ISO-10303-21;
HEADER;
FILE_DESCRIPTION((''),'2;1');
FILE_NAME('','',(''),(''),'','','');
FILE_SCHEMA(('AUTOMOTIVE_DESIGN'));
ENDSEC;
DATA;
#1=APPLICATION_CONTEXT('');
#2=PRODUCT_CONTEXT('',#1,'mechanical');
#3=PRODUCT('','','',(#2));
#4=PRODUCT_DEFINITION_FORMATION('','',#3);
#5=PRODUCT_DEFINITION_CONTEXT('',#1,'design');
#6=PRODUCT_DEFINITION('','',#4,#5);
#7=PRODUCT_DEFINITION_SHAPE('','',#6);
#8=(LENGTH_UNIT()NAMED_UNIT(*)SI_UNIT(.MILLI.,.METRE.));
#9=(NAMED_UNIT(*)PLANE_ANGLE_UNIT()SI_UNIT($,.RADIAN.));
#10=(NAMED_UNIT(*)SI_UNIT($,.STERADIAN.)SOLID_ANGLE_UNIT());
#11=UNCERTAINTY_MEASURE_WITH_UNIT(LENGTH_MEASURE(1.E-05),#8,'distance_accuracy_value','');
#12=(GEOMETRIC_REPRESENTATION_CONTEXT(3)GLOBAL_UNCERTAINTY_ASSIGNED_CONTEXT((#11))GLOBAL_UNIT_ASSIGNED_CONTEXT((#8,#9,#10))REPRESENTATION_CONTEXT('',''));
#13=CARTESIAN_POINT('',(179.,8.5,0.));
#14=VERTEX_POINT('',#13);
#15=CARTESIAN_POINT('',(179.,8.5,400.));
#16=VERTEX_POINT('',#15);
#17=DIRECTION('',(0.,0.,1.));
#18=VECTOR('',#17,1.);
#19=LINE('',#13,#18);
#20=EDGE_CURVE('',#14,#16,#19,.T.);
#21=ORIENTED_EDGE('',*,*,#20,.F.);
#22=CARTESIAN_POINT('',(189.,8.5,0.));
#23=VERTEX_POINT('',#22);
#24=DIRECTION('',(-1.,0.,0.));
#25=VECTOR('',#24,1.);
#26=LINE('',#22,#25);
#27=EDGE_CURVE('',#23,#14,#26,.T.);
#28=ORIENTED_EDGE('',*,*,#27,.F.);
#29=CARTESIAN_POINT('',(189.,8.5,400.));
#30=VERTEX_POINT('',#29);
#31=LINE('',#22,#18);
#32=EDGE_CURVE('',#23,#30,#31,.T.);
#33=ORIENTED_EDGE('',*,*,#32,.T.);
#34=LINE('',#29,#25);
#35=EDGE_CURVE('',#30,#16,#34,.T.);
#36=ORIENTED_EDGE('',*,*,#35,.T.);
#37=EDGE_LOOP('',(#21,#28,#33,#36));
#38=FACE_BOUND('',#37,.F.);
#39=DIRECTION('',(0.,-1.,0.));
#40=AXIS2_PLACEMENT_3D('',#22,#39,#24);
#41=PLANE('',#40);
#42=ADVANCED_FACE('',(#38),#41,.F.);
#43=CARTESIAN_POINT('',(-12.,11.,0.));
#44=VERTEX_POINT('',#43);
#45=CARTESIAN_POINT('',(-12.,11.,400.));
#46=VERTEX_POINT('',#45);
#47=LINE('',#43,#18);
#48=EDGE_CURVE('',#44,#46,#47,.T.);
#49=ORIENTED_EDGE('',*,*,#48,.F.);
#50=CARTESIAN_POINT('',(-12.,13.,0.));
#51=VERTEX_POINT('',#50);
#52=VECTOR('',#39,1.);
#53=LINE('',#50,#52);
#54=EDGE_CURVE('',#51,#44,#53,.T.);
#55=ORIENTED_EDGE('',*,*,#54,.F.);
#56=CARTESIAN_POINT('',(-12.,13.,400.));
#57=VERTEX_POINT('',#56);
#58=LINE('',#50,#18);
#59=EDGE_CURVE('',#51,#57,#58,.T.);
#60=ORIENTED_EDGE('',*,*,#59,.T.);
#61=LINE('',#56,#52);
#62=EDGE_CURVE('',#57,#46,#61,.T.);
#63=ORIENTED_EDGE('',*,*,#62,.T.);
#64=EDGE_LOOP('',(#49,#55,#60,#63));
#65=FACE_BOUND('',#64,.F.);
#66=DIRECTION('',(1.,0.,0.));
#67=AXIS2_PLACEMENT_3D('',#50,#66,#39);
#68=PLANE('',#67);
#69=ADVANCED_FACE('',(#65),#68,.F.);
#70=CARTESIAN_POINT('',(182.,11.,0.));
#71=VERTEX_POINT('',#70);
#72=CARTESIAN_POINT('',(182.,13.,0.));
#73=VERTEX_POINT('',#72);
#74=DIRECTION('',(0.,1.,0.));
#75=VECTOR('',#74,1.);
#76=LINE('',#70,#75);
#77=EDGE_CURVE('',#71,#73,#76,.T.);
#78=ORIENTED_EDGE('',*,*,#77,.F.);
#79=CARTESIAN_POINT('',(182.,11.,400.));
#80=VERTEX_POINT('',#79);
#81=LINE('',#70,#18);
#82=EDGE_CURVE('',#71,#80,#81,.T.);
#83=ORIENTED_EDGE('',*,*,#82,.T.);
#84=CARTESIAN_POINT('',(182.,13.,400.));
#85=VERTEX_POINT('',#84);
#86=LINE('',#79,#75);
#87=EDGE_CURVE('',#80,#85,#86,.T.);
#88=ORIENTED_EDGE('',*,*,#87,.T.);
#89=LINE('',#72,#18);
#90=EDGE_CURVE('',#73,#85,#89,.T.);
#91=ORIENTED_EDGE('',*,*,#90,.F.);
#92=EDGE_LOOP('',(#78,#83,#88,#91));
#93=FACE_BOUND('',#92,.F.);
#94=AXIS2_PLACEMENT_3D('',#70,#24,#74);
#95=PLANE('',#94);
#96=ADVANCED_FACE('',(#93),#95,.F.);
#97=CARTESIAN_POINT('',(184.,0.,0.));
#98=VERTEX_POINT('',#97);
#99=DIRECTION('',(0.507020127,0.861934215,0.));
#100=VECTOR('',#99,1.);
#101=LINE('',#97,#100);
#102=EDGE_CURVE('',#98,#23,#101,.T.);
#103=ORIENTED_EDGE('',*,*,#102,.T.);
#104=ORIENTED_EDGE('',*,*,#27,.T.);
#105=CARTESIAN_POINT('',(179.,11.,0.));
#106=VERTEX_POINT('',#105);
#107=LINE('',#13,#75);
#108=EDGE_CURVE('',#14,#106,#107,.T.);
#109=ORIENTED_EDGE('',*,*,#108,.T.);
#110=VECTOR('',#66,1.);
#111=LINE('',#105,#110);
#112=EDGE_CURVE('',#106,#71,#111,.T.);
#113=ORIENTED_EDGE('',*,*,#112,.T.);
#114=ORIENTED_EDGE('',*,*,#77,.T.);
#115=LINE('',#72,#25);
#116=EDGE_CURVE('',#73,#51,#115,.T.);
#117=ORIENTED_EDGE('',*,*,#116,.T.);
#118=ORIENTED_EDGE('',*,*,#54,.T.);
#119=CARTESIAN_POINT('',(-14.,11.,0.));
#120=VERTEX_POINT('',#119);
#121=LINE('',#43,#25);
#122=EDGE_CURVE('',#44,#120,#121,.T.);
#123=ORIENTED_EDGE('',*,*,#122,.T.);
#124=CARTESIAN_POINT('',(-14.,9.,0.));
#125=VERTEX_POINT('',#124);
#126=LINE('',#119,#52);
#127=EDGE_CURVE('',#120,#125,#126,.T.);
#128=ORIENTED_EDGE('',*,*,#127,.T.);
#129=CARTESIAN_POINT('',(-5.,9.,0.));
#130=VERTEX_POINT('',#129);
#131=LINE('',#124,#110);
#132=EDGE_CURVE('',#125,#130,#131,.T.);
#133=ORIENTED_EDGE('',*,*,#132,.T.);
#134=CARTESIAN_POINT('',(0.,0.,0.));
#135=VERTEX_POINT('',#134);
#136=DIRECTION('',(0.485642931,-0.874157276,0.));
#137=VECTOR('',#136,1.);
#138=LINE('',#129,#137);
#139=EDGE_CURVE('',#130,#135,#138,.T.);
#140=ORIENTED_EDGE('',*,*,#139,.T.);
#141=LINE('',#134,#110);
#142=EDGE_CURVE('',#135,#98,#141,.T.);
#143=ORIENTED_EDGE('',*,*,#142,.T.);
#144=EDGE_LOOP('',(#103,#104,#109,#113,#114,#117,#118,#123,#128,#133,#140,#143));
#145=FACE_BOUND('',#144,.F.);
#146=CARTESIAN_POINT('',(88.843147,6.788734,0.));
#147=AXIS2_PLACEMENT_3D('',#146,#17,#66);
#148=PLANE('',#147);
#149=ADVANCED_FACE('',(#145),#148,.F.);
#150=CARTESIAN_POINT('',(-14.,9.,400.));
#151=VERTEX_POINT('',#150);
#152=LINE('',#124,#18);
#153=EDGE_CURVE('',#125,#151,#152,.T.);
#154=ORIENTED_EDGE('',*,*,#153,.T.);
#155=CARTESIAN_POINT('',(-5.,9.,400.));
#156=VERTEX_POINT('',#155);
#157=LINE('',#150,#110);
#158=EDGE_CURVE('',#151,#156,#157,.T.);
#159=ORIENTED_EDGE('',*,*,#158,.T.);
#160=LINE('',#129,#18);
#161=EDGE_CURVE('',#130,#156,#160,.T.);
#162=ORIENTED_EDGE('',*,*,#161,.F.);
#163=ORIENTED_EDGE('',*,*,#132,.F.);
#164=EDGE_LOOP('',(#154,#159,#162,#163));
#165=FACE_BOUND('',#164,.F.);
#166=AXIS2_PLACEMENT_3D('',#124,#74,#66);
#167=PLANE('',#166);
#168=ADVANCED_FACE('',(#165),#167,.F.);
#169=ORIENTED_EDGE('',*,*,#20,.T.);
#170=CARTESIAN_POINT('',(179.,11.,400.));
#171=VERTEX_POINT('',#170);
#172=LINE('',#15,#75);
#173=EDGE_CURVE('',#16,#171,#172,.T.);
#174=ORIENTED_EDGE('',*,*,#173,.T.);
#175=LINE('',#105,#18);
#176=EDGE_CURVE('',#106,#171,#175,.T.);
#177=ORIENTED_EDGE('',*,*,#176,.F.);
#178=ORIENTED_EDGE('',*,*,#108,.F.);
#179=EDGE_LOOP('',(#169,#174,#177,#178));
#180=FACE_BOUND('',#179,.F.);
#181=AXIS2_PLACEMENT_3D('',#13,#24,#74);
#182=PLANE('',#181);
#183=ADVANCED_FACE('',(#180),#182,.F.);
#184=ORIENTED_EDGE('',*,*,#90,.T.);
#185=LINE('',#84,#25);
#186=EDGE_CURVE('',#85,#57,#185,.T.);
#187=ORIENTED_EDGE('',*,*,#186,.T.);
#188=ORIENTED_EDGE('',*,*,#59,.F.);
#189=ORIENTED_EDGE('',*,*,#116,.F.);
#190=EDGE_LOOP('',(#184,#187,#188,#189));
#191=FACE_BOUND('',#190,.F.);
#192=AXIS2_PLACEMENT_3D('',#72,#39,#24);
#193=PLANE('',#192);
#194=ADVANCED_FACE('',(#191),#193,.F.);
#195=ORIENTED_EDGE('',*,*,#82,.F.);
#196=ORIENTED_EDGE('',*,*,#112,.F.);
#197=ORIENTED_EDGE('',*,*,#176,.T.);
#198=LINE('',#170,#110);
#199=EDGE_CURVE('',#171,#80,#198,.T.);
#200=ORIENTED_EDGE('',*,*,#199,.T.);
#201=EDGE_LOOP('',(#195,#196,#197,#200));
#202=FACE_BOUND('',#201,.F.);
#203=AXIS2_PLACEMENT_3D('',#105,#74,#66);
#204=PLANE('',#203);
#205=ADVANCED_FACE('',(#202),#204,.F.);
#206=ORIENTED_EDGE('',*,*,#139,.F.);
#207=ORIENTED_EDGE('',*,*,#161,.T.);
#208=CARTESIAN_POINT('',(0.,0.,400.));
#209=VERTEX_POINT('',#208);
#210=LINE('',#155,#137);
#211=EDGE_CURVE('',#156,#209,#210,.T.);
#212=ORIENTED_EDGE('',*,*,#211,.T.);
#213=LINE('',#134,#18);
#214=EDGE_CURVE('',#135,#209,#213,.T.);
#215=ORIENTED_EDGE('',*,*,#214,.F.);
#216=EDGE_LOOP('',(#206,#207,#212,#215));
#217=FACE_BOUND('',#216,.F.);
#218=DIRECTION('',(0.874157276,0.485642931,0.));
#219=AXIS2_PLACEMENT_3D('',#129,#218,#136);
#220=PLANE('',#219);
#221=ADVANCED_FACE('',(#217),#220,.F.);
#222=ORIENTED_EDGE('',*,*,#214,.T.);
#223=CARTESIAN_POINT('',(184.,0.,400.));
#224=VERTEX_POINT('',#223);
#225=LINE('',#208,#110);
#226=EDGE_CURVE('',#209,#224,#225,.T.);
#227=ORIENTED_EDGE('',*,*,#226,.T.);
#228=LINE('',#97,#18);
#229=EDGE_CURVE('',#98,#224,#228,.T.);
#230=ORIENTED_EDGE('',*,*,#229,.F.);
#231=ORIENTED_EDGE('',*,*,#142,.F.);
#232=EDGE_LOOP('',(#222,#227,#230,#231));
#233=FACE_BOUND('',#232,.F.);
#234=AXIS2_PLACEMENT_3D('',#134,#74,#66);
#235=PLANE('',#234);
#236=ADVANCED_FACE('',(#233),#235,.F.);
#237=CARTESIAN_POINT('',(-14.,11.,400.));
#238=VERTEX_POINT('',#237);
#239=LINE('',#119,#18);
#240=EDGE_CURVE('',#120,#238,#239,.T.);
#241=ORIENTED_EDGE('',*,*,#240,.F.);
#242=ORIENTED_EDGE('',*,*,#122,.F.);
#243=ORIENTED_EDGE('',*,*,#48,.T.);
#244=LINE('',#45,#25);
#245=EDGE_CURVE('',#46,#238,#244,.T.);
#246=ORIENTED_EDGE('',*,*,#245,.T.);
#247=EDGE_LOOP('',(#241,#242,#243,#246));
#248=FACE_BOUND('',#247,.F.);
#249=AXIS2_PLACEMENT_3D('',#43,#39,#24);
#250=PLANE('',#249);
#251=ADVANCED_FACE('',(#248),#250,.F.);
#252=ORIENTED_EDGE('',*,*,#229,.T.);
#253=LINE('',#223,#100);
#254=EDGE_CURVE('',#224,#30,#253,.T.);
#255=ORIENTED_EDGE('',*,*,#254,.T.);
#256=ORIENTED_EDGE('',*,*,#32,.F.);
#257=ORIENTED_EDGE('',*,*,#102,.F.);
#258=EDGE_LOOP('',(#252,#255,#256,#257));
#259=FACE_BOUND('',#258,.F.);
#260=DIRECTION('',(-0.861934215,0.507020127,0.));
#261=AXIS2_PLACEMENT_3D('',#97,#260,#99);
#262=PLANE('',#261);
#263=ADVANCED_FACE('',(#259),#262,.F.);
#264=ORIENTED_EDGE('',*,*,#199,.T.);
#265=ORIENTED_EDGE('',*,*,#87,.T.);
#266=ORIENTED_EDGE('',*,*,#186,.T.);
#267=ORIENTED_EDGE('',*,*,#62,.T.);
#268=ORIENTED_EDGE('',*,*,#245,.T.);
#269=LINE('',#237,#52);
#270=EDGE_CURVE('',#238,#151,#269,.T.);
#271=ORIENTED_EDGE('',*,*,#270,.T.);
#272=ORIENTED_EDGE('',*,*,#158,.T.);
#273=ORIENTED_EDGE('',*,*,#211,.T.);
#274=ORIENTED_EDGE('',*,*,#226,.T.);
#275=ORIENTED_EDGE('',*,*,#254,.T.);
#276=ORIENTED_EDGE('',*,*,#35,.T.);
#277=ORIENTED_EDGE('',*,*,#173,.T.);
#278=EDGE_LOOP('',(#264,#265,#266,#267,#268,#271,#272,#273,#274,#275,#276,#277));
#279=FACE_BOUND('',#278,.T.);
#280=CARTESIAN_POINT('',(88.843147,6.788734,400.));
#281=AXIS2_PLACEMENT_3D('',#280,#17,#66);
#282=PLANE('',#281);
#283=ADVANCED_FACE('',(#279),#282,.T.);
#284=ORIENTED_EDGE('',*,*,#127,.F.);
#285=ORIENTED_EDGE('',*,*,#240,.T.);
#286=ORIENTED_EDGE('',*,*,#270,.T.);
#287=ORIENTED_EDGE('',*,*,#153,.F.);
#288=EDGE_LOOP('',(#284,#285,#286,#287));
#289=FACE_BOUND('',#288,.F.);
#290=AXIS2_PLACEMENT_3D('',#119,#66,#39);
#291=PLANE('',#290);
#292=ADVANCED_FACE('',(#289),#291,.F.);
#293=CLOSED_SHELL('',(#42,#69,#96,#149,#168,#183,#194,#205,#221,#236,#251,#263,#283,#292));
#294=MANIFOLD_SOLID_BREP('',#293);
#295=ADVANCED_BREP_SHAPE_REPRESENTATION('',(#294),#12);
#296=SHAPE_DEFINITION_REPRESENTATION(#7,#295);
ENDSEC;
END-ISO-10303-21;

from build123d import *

# Parameters (mm, degrees)
PAD_DEPTH = 400


with BuildPart() as part:
    # Sketch → Pad (new body)
    with BuildSketch(Plane.XY):
        Polygon((0, 0), (184, 0), (189, 8.5), (184, 8.5), (179, 8.5), (179, 11), (182, 11), (182, 13), (-12, 13), (-12, 11), (-14, 11), (-14, 9), (-5, 9), align=None)
    extrude(amount=PAD_DEPTH)


solid = part.part
